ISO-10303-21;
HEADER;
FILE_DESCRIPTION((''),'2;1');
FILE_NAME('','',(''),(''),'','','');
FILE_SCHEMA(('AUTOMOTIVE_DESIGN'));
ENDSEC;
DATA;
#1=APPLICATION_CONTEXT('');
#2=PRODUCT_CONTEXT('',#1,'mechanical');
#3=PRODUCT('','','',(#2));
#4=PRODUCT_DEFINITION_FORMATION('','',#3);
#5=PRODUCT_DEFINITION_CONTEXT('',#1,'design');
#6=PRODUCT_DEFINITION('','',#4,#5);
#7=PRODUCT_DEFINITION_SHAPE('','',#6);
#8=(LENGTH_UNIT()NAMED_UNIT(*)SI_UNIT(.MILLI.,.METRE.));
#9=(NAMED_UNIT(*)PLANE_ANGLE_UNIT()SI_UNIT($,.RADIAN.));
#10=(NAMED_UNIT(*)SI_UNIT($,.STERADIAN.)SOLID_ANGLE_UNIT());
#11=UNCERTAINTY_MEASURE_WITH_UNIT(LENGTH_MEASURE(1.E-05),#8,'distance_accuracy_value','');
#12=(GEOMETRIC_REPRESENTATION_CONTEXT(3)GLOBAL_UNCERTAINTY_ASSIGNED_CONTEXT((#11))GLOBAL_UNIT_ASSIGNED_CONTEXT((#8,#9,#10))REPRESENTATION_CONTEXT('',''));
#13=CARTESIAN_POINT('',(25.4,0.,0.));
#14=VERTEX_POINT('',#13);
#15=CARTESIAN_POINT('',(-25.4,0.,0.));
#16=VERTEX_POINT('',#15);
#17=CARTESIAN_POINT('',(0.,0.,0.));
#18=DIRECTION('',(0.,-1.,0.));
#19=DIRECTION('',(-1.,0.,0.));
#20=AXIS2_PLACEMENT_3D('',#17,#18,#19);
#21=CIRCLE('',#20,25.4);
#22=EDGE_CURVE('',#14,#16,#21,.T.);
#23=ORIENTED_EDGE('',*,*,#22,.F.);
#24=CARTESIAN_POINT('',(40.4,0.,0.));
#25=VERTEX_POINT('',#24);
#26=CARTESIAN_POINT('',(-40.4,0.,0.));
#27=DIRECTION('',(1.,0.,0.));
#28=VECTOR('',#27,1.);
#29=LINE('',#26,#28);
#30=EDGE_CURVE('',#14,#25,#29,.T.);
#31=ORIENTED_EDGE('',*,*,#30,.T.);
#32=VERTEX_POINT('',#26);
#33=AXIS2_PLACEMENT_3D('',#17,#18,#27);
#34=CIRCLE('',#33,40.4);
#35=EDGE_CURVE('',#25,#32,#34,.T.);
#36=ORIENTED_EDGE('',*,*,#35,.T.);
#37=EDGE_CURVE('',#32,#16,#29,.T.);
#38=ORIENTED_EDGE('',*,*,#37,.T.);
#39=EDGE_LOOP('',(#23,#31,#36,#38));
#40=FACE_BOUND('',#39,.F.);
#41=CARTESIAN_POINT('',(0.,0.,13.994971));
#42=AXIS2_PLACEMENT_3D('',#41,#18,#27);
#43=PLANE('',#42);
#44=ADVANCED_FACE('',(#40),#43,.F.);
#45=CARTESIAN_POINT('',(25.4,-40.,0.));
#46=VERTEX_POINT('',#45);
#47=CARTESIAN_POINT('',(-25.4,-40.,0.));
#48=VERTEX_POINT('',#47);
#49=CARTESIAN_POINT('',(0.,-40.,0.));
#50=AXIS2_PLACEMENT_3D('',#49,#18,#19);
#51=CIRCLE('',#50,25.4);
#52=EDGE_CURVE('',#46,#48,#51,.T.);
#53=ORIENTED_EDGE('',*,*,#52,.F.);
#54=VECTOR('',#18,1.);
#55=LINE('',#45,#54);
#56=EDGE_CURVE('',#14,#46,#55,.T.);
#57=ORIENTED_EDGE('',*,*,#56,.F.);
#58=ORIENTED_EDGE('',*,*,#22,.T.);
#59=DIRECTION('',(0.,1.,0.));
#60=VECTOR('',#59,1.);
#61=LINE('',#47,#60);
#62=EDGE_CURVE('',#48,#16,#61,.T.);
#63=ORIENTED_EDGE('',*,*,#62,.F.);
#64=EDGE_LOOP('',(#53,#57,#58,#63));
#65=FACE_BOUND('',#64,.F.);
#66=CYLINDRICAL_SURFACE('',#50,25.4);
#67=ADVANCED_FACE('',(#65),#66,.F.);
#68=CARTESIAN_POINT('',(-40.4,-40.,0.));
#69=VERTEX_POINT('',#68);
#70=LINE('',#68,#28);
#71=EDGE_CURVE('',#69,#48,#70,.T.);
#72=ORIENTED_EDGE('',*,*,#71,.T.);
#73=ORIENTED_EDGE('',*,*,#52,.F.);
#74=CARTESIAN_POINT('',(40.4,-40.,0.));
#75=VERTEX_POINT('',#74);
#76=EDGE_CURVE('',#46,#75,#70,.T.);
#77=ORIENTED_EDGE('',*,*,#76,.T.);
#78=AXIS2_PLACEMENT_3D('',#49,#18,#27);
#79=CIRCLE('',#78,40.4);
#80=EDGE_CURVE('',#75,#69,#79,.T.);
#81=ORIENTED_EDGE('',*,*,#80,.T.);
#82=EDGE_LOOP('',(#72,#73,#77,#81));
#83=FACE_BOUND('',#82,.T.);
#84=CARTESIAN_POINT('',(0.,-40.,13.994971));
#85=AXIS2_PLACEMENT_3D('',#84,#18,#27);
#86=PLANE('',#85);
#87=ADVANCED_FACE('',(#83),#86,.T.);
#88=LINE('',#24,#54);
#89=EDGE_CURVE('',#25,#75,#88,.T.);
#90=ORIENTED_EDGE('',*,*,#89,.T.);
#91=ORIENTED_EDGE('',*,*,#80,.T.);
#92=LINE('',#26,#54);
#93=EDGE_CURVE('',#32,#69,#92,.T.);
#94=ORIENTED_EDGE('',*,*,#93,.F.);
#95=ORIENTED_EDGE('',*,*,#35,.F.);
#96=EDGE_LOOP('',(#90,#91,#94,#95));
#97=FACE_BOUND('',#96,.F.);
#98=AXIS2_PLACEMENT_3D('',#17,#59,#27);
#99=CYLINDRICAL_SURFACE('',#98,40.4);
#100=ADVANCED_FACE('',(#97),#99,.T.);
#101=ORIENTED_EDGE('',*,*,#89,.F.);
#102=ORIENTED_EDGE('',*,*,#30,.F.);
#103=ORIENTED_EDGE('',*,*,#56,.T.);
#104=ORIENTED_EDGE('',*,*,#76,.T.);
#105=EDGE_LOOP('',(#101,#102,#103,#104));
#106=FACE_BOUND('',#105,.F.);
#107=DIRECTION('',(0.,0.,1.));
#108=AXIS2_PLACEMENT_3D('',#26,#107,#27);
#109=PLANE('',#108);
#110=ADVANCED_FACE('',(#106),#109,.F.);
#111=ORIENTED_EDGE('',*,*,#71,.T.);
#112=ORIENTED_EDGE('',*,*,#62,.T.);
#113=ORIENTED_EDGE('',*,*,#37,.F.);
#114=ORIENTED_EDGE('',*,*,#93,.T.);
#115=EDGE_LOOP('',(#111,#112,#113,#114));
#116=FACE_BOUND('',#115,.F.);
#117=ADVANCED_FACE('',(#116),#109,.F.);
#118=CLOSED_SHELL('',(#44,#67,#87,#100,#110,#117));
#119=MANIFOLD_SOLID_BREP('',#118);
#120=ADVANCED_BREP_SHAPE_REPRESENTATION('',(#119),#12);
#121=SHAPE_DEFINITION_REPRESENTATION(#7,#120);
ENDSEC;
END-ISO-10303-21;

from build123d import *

# Parameters (mm, degrees)
F1_DEPTH = 40
F3_DEPTH = 40


with BuildPart() as f1:
    # F0 (on Front) → F1 (new body)
    with BuildSketch(Plane.XZ):
        with BuildLine():
            Line((-40.4, 0), (40.4, 0))
            ThreePointArc((40.4, 0), (0, 40.4), (-40.4, 0))
        make_face()
    extrude(amount=F1_DEPTH)

    # F2 (on face) → F3 (cut)
    with BuildSketch(Plane.XZ.offset(40)):
        with BuildLine():
            Line((-25.4, 0), (25.4, 0))
            ThreePointArc((25.4, 0), (0, 25.4), (-25.4, 0))
        make_face()
        with BuildLine():
            ThreePointArc((-25.4, 0), (0, -25.4), (25.4, 0))
            Line((25.4, 0), (-25.4, 0))
        make_face()
    extrude(amount=-F3_DEPTH, mode=Mode.SUBTRACT)


solid = f1.part
